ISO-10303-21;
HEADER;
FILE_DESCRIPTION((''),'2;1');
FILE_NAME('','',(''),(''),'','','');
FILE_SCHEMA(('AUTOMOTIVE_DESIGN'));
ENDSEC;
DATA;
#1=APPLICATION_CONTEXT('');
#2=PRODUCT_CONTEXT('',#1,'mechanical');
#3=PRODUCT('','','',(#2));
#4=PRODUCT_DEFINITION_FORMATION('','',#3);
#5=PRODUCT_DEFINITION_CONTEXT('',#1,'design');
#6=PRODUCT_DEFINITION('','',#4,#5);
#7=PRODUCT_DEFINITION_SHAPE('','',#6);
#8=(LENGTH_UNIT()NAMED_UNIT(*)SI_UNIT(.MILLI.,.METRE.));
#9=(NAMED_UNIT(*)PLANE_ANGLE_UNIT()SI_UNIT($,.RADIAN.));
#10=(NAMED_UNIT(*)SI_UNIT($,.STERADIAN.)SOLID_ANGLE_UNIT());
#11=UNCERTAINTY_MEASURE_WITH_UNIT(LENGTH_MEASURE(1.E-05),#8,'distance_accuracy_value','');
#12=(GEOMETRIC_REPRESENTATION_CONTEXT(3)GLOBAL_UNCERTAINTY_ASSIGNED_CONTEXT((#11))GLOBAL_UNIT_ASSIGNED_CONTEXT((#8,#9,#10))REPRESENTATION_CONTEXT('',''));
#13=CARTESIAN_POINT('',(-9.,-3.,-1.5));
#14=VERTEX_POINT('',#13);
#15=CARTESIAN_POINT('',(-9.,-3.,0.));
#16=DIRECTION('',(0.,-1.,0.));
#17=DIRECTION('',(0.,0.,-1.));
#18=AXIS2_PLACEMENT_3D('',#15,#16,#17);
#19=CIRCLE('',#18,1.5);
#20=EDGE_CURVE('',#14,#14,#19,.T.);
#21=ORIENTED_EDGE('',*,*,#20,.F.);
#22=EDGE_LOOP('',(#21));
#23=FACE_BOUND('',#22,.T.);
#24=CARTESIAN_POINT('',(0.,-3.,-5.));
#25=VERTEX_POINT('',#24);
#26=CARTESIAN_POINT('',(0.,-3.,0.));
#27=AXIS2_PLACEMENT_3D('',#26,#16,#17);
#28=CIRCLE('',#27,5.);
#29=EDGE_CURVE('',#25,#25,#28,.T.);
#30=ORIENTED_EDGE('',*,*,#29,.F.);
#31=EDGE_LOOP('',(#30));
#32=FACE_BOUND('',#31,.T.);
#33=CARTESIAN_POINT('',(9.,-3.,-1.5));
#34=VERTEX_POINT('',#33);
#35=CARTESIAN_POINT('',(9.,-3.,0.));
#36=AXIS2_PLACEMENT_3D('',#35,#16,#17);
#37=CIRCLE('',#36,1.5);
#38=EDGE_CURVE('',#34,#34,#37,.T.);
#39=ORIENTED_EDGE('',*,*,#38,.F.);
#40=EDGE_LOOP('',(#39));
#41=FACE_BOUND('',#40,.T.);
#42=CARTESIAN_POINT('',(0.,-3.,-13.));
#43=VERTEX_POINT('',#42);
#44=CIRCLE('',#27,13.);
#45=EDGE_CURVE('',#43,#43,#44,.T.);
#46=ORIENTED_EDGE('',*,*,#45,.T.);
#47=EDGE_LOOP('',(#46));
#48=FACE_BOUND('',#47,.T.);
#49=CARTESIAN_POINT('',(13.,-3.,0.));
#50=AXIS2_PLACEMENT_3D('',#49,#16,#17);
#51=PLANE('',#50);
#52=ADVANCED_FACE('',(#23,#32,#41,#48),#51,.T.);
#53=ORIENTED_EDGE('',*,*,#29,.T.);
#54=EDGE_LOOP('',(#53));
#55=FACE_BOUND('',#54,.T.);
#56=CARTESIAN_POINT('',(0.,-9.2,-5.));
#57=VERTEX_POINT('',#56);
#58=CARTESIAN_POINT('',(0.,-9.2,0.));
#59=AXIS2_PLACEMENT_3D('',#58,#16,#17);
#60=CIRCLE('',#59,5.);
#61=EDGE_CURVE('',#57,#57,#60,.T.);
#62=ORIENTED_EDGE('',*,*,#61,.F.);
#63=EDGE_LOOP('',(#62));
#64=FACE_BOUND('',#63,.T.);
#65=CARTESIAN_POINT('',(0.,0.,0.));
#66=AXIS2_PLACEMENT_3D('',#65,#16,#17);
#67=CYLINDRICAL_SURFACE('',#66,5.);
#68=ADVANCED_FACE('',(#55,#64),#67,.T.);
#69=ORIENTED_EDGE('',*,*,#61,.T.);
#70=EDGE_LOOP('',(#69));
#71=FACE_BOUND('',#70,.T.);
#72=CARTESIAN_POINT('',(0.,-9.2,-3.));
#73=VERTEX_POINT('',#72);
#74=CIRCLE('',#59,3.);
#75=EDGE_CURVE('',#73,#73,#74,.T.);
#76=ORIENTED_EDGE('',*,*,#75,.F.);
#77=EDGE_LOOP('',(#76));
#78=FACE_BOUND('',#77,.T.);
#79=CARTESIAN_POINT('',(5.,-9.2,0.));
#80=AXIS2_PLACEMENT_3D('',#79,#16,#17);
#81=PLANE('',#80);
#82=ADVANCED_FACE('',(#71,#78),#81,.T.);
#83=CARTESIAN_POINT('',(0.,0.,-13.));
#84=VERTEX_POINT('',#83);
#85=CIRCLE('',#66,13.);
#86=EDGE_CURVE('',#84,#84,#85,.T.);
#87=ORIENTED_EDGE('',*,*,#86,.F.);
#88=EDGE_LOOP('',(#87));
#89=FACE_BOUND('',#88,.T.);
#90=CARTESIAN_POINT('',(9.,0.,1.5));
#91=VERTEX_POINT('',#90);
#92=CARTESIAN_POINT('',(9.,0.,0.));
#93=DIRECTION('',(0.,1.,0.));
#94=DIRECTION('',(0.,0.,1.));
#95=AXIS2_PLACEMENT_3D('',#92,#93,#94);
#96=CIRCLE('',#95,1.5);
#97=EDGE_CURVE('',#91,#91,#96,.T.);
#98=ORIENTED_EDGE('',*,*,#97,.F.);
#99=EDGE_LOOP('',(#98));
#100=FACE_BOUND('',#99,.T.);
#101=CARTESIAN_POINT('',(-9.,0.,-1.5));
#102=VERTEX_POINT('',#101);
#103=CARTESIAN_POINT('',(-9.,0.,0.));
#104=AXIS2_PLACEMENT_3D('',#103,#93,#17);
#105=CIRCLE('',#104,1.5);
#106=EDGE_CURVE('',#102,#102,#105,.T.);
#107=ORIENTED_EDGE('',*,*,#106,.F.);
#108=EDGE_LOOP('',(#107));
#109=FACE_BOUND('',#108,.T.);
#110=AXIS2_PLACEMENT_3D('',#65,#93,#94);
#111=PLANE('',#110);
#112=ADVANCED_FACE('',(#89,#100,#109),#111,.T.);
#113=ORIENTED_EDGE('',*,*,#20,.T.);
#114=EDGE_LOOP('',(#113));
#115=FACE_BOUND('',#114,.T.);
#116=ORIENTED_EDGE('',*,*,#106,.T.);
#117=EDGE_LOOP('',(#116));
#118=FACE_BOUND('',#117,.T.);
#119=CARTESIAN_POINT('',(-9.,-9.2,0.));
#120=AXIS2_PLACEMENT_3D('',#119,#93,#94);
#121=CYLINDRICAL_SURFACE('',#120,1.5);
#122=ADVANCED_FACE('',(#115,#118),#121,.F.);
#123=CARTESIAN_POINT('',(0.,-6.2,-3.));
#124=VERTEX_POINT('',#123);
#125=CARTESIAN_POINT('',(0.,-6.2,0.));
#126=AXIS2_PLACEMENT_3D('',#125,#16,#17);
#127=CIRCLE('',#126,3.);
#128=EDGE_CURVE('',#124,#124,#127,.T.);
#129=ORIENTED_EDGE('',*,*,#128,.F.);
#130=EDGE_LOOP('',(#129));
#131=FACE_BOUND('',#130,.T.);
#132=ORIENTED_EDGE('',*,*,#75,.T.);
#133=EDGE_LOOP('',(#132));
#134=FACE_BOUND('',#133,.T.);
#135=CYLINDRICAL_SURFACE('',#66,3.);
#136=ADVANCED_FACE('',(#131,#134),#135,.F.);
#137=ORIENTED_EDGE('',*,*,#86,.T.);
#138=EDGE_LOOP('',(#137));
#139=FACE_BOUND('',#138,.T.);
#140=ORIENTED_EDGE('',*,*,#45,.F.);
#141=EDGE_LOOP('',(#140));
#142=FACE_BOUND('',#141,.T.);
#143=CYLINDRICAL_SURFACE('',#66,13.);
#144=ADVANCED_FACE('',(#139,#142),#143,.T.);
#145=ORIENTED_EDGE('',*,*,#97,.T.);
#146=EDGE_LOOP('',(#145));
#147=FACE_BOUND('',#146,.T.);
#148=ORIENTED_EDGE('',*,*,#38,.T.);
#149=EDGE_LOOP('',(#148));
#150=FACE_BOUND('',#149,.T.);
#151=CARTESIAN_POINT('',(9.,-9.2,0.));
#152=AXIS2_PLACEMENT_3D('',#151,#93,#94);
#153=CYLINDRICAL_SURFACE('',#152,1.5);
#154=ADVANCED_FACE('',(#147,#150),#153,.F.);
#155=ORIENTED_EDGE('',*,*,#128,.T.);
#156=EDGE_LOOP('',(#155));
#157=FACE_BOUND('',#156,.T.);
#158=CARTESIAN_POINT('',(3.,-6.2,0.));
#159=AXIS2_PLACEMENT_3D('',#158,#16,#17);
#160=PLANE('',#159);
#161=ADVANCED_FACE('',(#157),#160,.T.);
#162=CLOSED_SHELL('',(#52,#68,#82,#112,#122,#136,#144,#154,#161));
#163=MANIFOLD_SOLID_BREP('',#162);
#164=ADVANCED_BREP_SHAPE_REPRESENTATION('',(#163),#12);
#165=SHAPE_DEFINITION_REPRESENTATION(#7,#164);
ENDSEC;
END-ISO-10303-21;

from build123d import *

# Parameters (mm, degrees)
SKETCH2_R          = 1.5
CUT_EXTRUDE1_DEPTH = 10.2


with BuildPart() as part:
    # Sketch1 → Revolve1 (revolve)
    with BuildSketch(Plane.XY):
        Polygon((13, 0), (13, -3), (5, -3), (5, -9.2), (3, -9.2), (3, -6.2), (0, -6.2), (0, 0), align=None)
    revolve(axis=Axis((0, 0, 0), (0, 1, 0)))

    # Sketch2 → Cut-Extrude1 (cut, through all)
    with BuildSketch(Plane(origin=(0, 0, 0), x_dir=(1, 0, 0), z_dir=(0, 1, 0))):
        with Locations((9, 0)):
            Circle(SKETCH2_R)
        with Locations((-9, 0)):
            Circle(SKETCH2_R)
    extrude(amount=-CUT_EXTRUDE1_DEPTH, mode=Mode.SUBTRACT)


solid = part.part
